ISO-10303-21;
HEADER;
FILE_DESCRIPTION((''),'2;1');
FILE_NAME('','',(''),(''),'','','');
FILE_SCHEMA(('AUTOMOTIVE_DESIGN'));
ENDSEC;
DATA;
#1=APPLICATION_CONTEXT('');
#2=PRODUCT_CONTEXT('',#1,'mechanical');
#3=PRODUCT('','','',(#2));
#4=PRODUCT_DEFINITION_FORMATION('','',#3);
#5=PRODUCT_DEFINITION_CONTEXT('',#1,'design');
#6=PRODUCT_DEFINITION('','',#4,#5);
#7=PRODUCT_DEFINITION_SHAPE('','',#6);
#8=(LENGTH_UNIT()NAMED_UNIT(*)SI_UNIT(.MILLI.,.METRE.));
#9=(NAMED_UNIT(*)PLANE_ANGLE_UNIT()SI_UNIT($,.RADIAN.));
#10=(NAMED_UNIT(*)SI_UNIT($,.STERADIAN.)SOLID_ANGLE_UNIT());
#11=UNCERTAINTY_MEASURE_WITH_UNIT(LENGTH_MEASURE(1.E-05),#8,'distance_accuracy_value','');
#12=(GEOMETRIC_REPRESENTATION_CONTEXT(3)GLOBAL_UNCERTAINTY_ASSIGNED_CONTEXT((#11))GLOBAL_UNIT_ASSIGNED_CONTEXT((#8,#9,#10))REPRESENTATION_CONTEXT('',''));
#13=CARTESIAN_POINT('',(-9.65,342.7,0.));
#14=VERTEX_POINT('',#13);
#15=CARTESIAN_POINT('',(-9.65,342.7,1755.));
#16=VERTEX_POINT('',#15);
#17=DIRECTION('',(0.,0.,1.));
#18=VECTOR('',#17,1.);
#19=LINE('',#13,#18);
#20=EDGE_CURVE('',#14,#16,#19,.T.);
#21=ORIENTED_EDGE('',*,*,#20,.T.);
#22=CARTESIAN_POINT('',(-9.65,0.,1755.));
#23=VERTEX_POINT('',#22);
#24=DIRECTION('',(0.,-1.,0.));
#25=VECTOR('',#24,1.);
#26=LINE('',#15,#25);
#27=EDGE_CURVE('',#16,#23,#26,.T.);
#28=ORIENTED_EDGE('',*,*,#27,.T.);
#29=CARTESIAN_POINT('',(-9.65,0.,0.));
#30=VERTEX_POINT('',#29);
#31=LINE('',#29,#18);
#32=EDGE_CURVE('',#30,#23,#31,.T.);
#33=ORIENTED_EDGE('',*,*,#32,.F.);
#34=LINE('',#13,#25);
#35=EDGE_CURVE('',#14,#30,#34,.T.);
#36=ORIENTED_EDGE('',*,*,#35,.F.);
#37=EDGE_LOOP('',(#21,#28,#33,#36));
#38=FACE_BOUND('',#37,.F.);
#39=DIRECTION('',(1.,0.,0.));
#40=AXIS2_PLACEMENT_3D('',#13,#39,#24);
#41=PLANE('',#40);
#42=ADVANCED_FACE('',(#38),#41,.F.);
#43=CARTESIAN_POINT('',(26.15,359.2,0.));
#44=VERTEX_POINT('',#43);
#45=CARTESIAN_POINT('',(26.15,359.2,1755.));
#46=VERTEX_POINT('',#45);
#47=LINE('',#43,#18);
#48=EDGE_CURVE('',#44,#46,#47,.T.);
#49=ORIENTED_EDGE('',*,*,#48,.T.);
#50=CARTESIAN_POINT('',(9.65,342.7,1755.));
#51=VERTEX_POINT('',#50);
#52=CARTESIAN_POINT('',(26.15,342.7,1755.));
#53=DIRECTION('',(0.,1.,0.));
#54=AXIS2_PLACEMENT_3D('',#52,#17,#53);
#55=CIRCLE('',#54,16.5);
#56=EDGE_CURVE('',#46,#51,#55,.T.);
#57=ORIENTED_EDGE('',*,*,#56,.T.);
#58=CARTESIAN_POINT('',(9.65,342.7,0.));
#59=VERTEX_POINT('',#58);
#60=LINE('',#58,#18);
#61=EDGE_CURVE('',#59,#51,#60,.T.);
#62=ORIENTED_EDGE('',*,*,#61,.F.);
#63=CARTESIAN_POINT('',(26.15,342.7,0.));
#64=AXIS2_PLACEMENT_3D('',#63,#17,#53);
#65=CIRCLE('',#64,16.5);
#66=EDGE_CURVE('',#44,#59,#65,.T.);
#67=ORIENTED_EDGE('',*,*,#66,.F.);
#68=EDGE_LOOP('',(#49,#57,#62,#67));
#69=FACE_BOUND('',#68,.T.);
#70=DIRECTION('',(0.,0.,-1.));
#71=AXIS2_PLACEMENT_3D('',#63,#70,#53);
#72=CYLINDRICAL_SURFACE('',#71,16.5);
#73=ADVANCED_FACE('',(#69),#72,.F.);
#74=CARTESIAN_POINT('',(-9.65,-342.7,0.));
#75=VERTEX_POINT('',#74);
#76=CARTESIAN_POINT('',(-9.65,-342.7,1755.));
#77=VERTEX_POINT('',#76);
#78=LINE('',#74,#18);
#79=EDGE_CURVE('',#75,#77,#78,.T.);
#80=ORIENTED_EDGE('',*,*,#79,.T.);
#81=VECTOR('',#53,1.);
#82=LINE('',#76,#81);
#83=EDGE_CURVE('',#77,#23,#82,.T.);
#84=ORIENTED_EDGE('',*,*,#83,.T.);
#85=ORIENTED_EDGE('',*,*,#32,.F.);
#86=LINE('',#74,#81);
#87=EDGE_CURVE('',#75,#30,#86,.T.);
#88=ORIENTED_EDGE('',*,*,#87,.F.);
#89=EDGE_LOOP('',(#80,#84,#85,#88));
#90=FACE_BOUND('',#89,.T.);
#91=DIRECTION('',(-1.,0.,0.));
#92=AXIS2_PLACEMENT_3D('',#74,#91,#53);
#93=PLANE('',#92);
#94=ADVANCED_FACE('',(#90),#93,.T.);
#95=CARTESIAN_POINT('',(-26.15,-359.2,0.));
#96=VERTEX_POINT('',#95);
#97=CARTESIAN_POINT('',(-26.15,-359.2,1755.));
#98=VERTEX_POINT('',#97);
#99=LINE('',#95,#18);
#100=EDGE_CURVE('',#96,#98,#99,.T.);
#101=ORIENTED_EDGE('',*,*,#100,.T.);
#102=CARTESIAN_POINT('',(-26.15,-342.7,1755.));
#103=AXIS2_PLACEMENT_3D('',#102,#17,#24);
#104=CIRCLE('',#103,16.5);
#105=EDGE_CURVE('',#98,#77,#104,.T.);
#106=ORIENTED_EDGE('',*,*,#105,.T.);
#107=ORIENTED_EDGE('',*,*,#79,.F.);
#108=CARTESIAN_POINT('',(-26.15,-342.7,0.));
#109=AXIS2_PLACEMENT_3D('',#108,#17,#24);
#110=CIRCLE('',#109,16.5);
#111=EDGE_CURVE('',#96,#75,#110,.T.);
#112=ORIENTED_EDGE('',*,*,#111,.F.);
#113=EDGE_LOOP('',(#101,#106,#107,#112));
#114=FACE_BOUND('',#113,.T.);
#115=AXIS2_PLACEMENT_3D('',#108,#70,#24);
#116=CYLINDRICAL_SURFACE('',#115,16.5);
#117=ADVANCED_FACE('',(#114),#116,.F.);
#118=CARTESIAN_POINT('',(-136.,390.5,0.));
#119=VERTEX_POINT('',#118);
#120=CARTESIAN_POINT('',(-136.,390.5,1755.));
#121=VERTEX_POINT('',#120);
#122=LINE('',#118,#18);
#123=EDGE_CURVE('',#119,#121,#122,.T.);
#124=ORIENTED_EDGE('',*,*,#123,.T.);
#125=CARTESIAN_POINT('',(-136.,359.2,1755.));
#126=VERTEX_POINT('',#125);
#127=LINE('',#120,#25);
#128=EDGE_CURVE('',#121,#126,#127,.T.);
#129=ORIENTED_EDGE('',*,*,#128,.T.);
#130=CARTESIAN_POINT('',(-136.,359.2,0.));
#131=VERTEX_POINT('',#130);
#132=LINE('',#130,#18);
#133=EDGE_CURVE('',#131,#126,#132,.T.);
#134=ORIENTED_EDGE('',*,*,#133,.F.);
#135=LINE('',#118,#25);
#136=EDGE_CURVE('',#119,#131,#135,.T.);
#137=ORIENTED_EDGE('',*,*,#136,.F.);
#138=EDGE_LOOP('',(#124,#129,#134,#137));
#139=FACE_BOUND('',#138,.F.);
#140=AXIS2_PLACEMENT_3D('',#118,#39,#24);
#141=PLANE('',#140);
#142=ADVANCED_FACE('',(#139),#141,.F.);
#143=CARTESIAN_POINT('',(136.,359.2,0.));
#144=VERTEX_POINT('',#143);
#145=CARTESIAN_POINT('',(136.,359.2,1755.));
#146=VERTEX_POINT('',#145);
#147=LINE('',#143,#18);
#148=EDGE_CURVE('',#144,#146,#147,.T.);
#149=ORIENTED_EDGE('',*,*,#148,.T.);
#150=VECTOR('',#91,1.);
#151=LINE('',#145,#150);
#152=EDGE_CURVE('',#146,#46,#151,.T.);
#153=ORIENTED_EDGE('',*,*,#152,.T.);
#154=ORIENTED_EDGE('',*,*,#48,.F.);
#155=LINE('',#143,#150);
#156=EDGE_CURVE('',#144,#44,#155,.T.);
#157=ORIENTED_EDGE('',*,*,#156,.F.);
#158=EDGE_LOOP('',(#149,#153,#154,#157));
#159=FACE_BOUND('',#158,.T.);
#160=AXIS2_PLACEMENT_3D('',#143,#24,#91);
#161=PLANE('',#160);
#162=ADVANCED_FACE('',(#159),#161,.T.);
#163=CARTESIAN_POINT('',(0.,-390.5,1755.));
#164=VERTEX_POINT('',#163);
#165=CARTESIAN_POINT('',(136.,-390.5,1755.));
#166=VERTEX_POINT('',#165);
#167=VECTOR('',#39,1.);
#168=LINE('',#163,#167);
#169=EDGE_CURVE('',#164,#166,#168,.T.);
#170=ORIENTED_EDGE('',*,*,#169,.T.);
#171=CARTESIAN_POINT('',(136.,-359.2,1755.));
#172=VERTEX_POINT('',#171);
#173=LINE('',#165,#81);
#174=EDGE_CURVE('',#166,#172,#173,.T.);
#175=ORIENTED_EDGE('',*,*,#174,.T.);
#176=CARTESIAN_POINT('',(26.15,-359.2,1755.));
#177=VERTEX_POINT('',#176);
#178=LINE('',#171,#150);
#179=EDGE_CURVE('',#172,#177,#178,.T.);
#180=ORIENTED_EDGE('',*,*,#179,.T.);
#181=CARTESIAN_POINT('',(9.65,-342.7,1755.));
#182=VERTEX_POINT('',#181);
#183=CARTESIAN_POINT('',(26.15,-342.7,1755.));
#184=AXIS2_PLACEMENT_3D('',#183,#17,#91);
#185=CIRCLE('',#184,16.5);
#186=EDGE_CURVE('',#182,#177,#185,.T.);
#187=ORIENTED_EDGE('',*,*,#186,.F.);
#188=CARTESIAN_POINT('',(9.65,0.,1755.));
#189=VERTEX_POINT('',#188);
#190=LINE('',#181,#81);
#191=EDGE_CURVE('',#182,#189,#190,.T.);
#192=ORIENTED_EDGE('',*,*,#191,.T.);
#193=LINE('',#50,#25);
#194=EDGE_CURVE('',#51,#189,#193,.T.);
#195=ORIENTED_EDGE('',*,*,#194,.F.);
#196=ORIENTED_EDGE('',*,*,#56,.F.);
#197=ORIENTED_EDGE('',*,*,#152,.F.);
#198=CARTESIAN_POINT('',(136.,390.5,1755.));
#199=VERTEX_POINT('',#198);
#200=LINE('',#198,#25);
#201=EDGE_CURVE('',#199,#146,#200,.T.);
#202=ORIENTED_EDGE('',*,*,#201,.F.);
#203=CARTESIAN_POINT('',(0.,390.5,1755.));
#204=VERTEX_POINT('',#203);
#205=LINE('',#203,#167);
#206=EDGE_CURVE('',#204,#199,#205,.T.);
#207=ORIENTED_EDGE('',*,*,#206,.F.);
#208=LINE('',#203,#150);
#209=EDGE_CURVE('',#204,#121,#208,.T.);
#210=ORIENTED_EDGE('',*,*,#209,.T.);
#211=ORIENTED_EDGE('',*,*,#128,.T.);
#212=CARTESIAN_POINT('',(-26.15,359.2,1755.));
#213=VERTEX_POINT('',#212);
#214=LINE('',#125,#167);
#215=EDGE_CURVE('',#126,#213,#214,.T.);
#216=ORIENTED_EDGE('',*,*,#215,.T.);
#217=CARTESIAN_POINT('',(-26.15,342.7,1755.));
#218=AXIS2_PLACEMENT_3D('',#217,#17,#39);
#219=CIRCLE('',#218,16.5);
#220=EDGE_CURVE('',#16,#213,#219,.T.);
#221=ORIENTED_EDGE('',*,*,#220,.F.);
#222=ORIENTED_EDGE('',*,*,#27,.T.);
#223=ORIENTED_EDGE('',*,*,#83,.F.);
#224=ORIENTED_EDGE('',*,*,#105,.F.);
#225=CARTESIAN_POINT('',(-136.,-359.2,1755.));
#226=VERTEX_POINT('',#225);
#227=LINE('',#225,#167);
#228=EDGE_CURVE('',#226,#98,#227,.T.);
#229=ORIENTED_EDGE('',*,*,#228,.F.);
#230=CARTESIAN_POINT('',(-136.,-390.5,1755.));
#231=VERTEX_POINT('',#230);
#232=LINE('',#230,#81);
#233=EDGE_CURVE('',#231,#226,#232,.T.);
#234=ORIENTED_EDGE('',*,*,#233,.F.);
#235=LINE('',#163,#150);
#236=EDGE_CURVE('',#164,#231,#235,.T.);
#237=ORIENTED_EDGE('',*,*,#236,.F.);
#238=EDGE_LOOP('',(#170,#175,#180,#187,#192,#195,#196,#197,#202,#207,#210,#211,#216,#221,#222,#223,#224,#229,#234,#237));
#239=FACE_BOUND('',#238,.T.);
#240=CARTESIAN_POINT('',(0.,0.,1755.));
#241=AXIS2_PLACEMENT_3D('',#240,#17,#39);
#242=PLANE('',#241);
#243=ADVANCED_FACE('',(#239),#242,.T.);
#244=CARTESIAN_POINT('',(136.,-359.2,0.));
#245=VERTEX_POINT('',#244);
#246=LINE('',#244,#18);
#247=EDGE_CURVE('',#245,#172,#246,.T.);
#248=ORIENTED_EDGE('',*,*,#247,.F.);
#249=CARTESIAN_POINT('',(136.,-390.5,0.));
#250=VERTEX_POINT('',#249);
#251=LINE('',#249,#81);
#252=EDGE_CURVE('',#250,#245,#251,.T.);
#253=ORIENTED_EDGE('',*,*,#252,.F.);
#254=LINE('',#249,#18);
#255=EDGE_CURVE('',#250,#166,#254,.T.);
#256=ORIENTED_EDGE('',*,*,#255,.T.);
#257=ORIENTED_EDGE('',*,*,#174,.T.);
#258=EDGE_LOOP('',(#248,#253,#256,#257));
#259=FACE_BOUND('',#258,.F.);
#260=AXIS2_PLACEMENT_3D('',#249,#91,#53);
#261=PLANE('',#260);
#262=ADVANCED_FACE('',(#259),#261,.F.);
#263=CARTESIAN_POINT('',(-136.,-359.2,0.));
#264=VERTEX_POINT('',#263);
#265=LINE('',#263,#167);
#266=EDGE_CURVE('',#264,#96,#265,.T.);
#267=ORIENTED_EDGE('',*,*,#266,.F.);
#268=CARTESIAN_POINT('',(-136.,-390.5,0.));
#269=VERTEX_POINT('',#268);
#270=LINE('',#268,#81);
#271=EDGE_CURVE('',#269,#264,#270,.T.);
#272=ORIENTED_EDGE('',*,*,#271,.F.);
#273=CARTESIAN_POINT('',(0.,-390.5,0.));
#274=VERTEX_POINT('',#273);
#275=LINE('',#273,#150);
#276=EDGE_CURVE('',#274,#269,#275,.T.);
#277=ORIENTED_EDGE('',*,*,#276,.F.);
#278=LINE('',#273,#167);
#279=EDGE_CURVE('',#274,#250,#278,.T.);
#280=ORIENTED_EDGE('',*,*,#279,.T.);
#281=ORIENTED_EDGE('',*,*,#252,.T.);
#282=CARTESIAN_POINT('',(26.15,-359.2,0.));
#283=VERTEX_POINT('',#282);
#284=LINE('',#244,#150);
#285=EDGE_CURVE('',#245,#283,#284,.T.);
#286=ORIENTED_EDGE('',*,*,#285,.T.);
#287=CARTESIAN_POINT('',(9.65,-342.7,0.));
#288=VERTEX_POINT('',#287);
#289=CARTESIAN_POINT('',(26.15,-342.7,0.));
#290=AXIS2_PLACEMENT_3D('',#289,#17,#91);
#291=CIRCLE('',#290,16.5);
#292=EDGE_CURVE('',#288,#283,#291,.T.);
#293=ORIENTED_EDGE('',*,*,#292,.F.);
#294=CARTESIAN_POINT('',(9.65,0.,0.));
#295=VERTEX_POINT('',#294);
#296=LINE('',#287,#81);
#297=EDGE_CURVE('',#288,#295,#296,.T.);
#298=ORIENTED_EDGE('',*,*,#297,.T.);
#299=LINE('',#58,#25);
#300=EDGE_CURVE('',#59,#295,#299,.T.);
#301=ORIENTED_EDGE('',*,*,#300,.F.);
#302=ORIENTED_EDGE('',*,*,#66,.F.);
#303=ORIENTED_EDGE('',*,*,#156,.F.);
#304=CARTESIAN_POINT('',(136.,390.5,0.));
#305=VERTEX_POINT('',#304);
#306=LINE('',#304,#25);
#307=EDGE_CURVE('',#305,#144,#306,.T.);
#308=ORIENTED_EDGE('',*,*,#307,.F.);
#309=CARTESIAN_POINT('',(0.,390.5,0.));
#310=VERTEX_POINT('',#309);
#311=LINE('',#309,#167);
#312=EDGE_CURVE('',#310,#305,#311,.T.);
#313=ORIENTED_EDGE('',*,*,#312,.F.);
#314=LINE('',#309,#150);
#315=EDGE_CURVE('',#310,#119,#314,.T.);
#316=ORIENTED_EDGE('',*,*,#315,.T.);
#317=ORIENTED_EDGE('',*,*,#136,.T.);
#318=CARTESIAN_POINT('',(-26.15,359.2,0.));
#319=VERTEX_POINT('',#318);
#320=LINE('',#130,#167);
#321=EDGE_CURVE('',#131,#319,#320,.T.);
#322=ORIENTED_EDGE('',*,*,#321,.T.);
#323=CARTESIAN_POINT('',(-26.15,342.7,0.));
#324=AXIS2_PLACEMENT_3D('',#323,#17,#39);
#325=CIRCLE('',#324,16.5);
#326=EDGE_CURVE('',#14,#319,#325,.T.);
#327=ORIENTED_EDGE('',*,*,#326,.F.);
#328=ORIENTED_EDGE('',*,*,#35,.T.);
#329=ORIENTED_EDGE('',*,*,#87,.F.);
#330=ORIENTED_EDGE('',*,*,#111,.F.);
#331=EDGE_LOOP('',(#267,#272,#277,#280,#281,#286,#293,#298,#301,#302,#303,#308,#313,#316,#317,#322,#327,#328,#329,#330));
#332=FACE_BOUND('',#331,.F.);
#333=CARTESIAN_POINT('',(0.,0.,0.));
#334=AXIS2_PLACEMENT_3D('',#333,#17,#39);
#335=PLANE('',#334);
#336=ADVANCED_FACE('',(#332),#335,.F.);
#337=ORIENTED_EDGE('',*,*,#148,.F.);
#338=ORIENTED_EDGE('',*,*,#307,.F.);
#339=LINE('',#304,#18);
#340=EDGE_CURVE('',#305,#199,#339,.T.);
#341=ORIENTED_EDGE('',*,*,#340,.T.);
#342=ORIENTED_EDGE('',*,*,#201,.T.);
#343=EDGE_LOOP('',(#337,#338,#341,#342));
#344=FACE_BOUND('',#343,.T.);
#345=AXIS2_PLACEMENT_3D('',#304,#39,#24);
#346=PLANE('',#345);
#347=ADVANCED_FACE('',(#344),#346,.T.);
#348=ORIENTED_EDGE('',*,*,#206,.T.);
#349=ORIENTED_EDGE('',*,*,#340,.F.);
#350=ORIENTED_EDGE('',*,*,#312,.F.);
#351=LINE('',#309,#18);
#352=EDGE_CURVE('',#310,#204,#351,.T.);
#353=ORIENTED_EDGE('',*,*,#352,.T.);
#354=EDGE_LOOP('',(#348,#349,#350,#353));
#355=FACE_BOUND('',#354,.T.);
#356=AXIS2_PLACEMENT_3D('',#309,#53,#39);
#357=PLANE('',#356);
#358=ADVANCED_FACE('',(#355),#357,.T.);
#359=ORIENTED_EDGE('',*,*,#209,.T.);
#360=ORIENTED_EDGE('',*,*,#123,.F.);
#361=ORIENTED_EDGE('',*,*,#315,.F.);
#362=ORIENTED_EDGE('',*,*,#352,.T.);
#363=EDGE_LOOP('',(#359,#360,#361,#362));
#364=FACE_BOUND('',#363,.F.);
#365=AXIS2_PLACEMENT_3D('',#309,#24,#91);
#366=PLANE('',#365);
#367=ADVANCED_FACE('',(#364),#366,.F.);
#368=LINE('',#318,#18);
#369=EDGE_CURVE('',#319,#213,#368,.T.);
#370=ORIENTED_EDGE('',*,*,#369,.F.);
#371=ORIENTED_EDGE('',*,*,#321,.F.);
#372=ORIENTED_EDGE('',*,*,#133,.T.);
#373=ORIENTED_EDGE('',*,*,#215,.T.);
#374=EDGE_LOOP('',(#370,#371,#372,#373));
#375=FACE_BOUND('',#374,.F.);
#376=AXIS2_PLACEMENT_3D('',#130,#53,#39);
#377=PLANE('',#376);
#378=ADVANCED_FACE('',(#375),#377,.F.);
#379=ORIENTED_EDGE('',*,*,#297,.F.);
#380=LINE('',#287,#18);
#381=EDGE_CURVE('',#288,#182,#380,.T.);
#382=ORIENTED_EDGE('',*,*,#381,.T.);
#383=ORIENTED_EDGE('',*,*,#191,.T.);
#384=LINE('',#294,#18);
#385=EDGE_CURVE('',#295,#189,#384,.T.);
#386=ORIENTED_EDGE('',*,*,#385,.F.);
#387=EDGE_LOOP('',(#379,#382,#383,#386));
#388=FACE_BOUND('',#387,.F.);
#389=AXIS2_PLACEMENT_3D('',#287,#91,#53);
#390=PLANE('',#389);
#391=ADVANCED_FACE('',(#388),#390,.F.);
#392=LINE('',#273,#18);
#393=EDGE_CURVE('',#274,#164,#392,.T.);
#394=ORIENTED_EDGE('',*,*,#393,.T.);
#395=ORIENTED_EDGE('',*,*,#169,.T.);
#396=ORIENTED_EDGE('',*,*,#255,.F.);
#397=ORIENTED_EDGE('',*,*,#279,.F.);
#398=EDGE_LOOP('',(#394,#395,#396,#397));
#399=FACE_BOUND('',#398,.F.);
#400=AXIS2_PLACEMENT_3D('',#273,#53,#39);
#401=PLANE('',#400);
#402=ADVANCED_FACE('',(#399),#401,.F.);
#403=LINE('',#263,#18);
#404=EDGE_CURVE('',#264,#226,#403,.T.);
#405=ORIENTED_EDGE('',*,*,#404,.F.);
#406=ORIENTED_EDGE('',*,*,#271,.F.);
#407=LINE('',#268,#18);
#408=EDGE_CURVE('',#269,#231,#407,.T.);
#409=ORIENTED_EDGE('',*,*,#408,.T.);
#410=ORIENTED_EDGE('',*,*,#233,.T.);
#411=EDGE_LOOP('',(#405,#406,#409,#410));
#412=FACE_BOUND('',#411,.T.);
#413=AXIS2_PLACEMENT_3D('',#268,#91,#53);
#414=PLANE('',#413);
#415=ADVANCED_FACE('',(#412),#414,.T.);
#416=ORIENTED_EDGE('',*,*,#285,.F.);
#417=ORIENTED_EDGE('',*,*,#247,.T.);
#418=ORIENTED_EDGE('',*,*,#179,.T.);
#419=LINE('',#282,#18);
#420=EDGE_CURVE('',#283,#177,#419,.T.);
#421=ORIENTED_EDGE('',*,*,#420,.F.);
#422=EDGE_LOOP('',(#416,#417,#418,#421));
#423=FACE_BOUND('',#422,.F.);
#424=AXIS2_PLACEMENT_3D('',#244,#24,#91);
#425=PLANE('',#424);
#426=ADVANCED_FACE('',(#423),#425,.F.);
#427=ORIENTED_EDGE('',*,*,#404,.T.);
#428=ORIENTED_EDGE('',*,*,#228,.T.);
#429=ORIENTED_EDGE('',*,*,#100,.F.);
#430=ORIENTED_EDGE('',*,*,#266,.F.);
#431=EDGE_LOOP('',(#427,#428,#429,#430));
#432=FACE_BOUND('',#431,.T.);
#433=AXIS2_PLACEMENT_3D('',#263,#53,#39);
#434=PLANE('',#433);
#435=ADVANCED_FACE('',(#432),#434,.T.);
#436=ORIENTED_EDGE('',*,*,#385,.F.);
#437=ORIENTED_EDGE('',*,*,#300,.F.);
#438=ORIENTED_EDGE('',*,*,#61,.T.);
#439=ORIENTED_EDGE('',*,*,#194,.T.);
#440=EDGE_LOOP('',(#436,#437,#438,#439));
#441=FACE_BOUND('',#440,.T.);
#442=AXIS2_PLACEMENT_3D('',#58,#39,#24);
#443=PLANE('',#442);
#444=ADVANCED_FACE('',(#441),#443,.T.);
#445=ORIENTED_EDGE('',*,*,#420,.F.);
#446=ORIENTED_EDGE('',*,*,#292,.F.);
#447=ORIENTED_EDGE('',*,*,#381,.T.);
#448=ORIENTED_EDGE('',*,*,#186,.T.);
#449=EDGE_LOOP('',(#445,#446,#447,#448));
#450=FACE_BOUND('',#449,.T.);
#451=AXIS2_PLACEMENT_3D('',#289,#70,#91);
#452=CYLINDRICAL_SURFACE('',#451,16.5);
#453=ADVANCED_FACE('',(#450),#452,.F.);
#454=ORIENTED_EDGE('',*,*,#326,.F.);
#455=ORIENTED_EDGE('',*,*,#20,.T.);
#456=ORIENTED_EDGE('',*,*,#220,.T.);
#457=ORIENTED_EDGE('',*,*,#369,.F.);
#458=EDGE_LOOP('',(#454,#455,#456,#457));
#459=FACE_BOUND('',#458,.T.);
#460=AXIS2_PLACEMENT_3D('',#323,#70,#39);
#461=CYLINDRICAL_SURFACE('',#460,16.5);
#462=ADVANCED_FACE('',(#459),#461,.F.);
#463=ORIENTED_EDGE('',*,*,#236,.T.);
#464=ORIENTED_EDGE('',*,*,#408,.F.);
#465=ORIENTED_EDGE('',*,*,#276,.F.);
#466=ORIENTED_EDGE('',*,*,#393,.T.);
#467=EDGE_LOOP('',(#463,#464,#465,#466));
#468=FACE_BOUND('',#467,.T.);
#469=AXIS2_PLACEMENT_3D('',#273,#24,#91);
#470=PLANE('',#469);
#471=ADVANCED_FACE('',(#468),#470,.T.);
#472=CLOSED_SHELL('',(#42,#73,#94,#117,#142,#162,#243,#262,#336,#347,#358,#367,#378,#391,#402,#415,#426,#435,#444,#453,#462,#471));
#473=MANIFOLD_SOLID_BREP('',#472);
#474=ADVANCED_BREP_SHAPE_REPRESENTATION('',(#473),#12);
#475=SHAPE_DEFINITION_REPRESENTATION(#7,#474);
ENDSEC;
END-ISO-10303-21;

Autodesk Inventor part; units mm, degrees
ref_plane "YZ Plane" through (0, 0, 0) normal (1, 0, 0) x (0, 1, 0)
ref_plane "Start plane" through (0, 0, 0) normal (0, 0, 1) x (1, 0, 0)
ref_plane "End plane" through (0, 0, 1755) normal (0, 0, 1) x (1, 0, 0)
sketch "Sketch" plane through (0, 0, 0) normal (0, 0, 1) x (1, 0, 0)
  line L0 (-136, -390.5) -> (-136, -359.2)
  line L1 (-136, -359.2) -> (-26.15, -359.2)
  line L2 (-9.65, -342.7) -> (-9.65, 0)
  line L3 (-9.65, 0) -> (0, 0) construction
  line L4 (0, 0) -> (0, -390.5) construction
  line L5 (0, -390.5) -> (-136, -390.5)
  line L6 (-60, 0) -> (80, 0) construction
  line L7 (0, -60) -> (0, 80) construction
  line L8 (136, -390.5) -> (136, -359.2)
  line L9 (136, -359.2) -> (26.15, -359.2)
  line L10 (9.65, -342.7) -> (9.65, 0)
  line L11 (9.65, 0) -> (0, 0) construction
  line L12 (0, -390.5) -> (136, -390.5)
  line L13 (-136, 390.5) -> (-136, 359.2)
  line L14 (-136, 359.2) -> (-26.15, 359.2)
  line L15 (-9.65, 342.7) -> (-9.65, 0)
  line L16 (0, 390.5) -> (-136, 390.5)
  line L17 (136, 390.5) -> (136, 359.2)
  line L18 (136, 359.2) -> (26.15, 359.2)
  line L19 (0, 390.5) -> (136, 390.5)
  line L20 (9.65, 342.7) -> (9.65, 0)
  arc A0 (-9.65, 342.7) -> (-26.15, 359.2) centre (-26.15, 342.7) ccw
  arc A1 (26.15, 359.2) -> (9.65, 342.7) centre (26.15, 342.7) ccw
  arc A2 (9.65, -342.7) -> (26.15, -359.2) centre (26.15, -342.7) ccw
  arc A3 (-26.15, -359.2) -> (-9.65, -342.7) centre (-26.15, -342.7) ccw
  line L21 (0, 108) -> (0, -88) construction
  line L22 (-88, 0) -> (108, 0) construction
  point P0 (-9.65, -359.2)
  point P1 (9.65, -359.2)
  point P2 (-9.65, 359.2)
  point P3 (9.65, 359.2)
  dimension "d1" = 390.5
  dimension "d2" = 31.3
  dimension "d3" = 136
  dimension "d4" = 9.65
  dimension "d10" = 16.5
extrude "Body" add sketch "Sketch" along normal up to surface (1755 mm away) from surface at 0
sketch "Sketch4" plane through (0, 0, 0) normal (0, 0, 1) x (1, 0, 0)
  line L0 (0, 0) -> (10, 0)
ref_plane "Work Plane3" through (0, 0, 0) normal (0, -1, 0) x (1, 0, 0)
sketch "Sketch5" plane through (0, 0, 0) normal (0, -1, 0) x (1, 0, 0)
  line L0 (-2, 0) -> (12, 0) projected
  line L1 (-2, 1755) -> (12, 1755) projected
  dimension "d14" = 1755
equation "\"d1\" = 0.5 * G_H"
equation "\"d2\" = G_T1"
equation "\"d3\" = 0.5 * G_W"
equation "\"d4\" = 0.5 * G_T"
equation "\"d10\" = G_IR"
equation "\"d5\" = G_L"
equation "\"G_W\" = 272"
equation "\"G_H\" = 781"
equation "\"G_T\" = 19.3"
equation "\"G_T1\" = 31.3"
equation "\"G_IR\" = 16.5"
equation "\"G_L\" = d14"
equation "\"G_OFFSET_START\" = 0"
equation "\"G_OFFSET_END\" = 0"
equation "\"d12\" = G_OFFSET_END + B_L"
equation "\"B_L\" = 1755"
properties part number "AS 3679-1990 - 760 UB - 244 - 1755" material "Steel, Mild"
